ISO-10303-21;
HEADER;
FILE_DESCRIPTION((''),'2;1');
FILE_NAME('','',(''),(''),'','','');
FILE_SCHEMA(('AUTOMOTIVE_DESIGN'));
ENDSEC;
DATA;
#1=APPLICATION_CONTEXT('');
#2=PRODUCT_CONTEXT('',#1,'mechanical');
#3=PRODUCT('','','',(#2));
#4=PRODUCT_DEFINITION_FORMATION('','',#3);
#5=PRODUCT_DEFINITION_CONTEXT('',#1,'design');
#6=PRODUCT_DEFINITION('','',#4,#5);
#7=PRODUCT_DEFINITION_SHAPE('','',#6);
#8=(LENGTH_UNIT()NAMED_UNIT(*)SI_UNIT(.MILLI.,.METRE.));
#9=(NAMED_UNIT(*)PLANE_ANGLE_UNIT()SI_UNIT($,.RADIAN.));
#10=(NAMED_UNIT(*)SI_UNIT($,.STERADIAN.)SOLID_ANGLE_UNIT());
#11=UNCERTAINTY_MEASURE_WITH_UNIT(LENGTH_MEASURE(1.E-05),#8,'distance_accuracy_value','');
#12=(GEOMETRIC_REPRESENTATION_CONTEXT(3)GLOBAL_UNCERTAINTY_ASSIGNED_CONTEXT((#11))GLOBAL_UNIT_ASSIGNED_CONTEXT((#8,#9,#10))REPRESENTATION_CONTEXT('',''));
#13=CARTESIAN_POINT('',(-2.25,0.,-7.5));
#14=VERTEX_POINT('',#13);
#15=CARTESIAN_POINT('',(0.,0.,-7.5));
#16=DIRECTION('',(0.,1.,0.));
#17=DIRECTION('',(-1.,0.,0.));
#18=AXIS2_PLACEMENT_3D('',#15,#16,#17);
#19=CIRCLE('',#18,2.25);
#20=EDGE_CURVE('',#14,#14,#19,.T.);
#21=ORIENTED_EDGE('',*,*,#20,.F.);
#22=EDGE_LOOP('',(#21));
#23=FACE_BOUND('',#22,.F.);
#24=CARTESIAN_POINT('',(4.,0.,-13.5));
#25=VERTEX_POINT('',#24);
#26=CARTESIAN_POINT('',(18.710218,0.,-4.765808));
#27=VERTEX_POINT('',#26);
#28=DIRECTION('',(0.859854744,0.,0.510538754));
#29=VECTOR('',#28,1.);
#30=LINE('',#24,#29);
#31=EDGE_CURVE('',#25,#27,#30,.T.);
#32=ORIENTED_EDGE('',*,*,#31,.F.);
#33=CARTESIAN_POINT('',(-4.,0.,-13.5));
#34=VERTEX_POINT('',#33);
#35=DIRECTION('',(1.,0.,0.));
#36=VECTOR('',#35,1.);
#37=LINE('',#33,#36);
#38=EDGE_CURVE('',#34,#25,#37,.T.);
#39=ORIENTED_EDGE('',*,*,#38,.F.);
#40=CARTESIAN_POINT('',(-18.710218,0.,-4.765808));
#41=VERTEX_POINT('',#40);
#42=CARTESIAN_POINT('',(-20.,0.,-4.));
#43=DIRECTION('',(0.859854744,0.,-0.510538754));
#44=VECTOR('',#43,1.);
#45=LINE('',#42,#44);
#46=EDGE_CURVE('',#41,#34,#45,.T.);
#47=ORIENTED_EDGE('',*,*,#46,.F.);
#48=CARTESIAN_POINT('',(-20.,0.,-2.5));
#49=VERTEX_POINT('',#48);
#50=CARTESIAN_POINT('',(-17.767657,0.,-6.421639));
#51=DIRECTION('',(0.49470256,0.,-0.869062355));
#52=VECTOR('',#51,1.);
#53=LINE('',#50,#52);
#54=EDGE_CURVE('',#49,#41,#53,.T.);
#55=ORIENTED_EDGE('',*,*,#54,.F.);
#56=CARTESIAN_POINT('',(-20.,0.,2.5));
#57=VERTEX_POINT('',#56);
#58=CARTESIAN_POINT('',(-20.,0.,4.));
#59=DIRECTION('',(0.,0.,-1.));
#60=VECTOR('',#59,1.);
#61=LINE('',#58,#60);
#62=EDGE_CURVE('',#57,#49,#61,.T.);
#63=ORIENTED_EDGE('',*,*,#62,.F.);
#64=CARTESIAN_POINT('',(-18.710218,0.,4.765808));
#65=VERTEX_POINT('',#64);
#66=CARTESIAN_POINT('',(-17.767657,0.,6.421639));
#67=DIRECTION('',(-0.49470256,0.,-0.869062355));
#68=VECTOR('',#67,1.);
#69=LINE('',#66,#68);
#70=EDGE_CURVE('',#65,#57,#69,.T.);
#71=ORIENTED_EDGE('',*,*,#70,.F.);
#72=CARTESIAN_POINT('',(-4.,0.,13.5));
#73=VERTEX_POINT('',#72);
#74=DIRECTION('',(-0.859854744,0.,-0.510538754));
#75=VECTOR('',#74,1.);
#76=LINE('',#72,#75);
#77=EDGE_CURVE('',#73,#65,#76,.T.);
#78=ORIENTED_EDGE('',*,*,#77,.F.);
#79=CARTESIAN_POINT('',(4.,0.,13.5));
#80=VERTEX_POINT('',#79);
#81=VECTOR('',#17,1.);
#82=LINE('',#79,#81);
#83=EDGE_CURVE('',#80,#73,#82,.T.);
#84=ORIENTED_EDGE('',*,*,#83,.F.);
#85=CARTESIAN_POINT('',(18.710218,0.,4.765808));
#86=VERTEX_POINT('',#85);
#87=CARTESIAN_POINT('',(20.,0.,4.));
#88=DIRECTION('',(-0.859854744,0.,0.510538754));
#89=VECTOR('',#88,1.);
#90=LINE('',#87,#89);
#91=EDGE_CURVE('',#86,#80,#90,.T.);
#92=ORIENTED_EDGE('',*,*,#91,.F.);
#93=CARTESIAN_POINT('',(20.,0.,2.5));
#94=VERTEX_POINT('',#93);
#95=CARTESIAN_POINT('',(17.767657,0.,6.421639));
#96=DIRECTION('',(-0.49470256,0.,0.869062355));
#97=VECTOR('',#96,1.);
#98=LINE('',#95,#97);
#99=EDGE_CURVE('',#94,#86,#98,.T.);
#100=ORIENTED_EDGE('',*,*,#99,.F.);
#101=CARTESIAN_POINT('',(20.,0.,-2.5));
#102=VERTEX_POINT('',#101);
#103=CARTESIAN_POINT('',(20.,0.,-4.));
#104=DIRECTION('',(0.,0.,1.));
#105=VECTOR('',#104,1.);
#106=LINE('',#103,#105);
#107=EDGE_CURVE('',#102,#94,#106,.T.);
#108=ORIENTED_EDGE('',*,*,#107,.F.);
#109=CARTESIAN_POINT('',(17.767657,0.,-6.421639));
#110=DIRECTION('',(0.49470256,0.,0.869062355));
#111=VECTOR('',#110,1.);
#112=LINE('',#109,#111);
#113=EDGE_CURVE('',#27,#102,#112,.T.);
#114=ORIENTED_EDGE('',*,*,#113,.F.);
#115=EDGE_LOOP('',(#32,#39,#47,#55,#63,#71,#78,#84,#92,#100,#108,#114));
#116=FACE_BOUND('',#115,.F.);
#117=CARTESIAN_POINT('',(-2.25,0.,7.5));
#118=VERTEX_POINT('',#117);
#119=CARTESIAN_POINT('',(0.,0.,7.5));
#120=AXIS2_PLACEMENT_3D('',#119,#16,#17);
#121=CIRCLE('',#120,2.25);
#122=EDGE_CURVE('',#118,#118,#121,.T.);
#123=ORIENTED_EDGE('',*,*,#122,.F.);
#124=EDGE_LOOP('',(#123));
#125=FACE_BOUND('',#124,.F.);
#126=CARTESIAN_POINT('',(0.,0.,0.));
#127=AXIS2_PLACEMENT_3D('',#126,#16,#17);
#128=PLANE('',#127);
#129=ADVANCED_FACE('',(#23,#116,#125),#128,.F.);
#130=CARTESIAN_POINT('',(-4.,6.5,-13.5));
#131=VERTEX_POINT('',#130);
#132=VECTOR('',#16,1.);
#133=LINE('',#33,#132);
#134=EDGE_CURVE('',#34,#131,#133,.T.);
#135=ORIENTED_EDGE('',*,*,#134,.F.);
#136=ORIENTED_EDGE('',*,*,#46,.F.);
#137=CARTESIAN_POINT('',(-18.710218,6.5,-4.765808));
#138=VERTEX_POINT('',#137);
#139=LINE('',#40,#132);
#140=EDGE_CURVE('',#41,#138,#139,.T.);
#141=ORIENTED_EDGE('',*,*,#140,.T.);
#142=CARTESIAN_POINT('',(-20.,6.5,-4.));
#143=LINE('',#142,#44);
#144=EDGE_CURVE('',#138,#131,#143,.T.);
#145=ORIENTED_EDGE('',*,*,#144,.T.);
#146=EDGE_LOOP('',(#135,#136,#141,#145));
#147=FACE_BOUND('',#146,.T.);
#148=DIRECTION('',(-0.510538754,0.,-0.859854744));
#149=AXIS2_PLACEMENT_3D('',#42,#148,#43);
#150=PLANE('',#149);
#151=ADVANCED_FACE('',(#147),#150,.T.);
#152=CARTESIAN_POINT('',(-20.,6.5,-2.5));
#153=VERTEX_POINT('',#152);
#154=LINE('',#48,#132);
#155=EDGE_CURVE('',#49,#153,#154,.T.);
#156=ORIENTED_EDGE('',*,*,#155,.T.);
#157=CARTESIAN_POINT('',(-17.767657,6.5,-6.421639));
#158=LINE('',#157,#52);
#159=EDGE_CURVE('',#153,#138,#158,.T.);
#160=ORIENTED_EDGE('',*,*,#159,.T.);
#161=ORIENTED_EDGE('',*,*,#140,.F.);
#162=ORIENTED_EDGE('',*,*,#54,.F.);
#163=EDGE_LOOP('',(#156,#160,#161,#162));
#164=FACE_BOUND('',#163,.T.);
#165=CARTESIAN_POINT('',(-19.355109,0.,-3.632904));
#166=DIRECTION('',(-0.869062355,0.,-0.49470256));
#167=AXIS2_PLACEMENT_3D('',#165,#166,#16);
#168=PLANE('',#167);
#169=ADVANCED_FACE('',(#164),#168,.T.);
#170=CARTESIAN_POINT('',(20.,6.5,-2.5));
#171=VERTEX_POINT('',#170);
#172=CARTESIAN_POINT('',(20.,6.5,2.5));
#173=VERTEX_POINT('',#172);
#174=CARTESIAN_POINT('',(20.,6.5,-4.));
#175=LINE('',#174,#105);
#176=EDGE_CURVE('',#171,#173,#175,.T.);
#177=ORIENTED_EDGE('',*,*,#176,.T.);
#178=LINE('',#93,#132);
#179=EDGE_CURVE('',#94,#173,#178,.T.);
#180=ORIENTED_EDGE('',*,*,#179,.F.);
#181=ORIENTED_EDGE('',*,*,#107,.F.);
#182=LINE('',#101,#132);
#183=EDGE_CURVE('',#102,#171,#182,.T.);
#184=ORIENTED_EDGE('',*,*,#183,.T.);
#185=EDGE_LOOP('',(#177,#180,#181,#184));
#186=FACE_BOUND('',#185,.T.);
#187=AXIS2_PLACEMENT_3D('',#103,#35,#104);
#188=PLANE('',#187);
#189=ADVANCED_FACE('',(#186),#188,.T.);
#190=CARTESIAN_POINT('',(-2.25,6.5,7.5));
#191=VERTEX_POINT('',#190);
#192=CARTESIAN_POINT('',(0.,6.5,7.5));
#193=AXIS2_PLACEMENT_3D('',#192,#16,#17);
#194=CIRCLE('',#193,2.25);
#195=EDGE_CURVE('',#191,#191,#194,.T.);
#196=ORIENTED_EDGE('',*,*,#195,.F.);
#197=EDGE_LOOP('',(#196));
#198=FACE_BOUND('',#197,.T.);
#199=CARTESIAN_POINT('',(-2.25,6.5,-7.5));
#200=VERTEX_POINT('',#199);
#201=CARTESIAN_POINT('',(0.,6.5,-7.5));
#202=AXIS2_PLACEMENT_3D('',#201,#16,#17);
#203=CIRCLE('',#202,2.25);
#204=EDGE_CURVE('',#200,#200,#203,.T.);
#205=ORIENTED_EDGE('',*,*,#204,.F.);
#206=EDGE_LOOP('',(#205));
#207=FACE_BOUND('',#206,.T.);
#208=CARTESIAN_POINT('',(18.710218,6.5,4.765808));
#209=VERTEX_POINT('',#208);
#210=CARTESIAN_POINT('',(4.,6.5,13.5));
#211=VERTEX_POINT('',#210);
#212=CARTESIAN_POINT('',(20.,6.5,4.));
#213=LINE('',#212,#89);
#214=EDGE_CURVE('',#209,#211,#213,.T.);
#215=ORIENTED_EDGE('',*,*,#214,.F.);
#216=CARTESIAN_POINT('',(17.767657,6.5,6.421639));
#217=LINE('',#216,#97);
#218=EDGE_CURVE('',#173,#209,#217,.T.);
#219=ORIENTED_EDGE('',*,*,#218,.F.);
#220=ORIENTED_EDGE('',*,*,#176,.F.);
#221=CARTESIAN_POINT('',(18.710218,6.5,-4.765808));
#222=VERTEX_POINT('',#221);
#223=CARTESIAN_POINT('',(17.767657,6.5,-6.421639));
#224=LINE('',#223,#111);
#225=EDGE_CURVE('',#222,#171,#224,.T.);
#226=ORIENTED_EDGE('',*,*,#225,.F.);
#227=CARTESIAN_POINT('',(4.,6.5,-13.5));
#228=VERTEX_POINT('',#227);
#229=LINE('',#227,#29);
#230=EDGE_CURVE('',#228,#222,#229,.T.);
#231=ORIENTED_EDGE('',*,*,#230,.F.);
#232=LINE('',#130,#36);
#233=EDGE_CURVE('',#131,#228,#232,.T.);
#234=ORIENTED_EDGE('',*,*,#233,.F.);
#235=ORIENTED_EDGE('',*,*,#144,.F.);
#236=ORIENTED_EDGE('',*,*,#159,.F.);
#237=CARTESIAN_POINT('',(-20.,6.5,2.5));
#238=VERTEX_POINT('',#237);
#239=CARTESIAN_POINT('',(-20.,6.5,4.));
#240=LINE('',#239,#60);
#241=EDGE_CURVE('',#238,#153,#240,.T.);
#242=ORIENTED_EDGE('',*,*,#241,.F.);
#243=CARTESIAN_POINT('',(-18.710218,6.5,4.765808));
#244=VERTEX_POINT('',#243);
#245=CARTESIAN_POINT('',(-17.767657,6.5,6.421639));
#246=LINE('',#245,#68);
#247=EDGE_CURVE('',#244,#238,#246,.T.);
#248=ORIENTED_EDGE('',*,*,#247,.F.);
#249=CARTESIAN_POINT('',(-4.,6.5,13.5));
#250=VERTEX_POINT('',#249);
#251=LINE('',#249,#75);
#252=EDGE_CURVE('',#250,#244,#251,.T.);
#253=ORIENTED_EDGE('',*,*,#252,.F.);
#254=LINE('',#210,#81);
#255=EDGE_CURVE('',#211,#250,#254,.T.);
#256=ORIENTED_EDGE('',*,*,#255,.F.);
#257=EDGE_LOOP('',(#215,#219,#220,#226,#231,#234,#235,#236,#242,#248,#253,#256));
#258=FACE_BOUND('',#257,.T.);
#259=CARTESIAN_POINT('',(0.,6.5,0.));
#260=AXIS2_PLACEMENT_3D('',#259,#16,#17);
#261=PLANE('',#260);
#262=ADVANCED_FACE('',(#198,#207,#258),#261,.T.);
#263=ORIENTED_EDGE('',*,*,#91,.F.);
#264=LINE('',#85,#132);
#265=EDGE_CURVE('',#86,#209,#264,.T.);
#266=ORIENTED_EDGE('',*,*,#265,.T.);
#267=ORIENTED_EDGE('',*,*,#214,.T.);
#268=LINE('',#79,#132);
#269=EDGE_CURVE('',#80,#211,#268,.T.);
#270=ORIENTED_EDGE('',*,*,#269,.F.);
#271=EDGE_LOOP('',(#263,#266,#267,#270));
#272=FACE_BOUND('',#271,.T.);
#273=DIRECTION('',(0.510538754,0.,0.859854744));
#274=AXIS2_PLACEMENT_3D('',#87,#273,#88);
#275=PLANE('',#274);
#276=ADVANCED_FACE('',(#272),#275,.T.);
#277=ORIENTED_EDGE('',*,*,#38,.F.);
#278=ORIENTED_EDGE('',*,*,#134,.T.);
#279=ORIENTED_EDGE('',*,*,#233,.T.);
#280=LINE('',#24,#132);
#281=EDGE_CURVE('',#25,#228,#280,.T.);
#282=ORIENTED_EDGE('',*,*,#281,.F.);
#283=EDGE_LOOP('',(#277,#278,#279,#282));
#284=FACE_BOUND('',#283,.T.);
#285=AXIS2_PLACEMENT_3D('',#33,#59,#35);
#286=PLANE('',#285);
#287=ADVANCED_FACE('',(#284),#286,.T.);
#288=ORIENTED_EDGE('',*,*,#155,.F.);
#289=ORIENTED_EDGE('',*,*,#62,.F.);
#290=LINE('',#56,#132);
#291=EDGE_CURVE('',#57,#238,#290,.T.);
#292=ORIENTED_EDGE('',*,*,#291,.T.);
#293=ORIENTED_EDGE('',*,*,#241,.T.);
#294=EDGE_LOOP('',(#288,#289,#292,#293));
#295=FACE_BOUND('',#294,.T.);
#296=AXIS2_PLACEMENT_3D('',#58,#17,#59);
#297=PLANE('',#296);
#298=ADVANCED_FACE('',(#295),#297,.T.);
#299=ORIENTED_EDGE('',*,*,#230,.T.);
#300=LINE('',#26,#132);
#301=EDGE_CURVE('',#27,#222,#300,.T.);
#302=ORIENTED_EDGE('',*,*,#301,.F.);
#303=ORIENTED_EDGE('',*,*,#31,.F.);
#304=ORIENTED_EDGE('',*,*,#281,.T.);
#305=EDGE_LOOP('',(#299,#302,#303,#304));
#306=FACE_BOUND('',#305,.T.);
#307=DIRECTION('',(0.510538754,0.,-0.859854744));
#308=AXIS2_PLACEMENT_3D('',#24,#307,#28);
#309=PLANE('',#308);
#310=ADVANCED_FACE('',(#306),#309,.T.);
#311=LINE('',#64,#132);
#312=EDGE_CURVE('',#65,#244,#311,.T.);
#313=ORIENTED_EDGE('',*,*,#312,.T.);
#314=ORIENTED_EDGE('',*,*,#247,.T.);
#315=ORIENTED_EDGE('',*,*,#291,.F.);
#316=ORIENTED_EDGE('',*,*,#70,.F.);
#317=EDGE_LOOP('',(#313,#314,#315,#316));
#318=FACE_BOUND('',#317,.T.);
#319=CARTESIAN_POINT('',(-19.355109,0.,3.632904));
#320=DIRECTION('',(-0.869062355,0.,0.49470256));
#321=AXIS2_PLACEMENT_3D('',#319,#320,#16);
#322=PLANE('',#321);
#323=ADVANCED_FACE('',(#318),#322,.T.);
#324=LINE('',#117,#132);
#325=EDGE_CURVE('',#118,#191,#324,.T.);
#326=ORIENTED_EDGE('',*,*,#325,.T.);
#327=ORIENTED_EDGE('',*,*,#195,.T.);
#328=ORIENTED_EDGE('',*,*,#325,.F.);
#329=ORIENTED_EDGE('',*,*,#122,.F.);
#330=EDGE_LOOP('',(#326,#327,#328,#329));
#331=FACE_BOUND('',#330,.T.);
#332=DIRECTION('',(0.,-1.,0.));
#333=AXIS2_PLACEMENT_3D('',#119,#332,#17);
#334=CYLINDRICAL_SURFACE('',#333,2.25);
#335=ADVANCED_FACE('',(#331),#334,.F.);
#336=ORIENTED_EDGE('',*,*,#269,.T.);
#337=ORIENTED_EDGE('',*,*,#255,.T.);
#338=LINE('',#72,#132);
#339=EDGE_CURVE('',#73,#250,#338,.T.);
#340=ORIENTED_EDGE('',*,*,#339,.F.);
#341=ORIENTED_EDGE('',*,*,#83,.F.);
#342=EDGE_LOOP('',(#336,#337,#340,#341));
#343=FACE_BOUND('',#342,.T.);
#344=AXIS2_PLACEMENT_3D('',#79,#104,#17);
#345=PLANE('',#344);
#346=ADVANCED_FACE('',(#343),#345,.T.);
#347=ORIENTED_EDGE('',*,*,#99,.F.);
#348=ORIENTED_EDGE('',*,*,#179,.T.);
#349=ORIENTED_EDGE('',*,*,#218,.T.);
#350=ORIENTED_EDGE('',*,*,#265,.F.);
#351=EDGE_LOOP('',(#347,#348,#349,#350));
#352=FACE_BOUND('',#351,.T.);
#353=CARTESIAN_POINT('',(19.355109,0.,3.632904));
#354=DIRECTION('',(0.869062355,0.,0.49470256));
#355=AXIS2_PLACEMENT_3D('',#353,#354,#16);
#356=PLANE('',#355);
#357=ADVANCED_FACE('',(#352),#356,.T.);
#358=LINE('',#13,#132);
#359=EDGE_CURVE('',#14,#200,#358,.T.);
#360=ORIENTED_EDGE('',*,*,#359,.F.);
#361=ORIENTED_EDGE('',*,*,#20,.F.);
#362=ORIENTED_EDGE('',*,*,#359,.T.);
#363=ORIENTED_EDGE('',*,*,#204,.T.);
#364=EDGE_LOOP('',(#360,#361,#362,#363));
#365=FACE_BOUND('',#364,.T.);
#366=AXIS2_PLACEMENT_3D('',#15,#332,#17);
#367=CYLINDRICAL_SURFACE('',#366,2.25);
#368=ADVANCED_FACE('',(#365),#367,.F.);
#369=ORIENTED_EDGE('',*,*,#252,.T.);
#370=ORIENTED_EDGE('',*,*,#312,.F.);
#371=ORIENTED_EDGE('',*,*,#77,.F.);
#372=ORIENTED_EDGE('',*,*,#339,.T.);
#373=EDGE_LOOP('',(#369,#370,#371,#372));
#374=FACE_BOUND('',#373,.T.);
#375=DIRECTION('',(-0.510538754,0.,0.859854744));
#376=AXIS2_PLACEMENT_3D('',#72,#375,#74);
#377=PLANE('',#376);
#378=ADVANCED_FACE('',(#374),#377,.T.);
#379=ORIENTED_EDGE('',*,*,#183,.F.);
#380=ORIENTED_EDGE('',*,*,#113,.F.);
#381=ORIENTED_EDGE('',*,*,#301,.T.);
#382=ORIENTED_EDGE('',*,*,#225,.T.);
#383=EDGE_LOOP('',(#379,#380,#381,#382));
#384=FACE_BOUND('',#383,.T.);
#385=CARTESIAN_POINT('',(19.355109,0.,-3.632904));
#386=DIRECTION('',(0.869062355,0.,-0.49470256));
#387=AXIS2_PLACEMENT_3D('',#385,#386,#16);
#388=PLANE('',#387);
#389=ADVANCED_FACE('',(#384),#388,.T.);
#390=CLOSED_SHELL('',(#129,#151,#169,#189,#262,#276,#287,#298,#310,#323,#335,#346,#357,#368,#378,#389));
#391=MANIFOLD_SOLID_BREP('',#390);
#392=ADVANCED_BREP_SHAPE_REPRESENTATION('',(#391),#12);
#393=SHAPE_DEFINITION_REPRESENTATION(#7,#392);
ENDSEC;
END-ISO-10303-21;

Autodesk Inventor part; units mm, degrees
ref_plane "YZ Plane" through (0, 0, 0) normal (1, 0, 0) x (0, 1, 0)
ref_plane "XZ Plane" through (0, 0, 0) normal (0, 1, 0) x (-1, 0, 0)
ref_plane "XY Plane" through (0, 0, 0) normal (0, 0, 1) x (1, 0, 0)
sketch "Sketch1" plane through (0, 0, 0) normal (0, 1, 0) x (-1, 0, 0)
  line L0 (4, -13.5) -> (-4, -13.5)
  line L1 (-4, -13.5) -> (-20, -4)
  line L2 (-20, -4) -> (-20, 4)
  line L3 (-20, 4) -> (-4, 13.5)
  line L4 (-4, 13.5) -> (4, 13.5)
  line L5 (4, 13.5) -> (20, 4)
  line L6 (20, 4) -> (20, -4)
  line L7 (20, -4) -> (4, -13.5)
  circle A0 centre (0, -7.5) radius 2.25
  circle A1 centre (0, 7.5) radius 2.25
  circle A2 centre (0, -7.5) radius 4.5 construction
  circle A3 centre (0, 7.5) radius 4.5 construction
  circle A4 centre (11.5, 0) radius 4 construction
  circle A5 centre (-11.5, 0) radius 4 construction
  point P0 (0, 0)
  point P1 (0, -13.5)
  point P2 (0, 13.5)
  point P3 (20, 0)
  point P4 (-20, 0)
  dimension "d1" = 4.5
  dimension "d2" = 15
  dimension "d3" = 7.5
  dimension "d4" = 9
  dimension "d5" = 8
  dimension "d6" = 23
  dimension "d7" = 11.5
  dimension "d8" = 20
  dimension "d9" = 20
  dimension "d10" = 6
  dimension "d11" = 8
  dimension "d12" = 8
extrude "Extrusion1" add sketch "Sketch1" along normal blind 6.5
chamfer "Chamfer1" distance 1.5 angle 45 4 edges at (20, 3.25, 4) (20, 3.25, -4) (-20, 3.25, -4) (-20, 3.25, 4)
equation "\"d3\" = 0.5 * d2"
equation "\"d7\" = 0.5 * d6"
equation "\"d9\" = d8"
properties part number "z_axis_top_cap" material "Plywood, Finish"
